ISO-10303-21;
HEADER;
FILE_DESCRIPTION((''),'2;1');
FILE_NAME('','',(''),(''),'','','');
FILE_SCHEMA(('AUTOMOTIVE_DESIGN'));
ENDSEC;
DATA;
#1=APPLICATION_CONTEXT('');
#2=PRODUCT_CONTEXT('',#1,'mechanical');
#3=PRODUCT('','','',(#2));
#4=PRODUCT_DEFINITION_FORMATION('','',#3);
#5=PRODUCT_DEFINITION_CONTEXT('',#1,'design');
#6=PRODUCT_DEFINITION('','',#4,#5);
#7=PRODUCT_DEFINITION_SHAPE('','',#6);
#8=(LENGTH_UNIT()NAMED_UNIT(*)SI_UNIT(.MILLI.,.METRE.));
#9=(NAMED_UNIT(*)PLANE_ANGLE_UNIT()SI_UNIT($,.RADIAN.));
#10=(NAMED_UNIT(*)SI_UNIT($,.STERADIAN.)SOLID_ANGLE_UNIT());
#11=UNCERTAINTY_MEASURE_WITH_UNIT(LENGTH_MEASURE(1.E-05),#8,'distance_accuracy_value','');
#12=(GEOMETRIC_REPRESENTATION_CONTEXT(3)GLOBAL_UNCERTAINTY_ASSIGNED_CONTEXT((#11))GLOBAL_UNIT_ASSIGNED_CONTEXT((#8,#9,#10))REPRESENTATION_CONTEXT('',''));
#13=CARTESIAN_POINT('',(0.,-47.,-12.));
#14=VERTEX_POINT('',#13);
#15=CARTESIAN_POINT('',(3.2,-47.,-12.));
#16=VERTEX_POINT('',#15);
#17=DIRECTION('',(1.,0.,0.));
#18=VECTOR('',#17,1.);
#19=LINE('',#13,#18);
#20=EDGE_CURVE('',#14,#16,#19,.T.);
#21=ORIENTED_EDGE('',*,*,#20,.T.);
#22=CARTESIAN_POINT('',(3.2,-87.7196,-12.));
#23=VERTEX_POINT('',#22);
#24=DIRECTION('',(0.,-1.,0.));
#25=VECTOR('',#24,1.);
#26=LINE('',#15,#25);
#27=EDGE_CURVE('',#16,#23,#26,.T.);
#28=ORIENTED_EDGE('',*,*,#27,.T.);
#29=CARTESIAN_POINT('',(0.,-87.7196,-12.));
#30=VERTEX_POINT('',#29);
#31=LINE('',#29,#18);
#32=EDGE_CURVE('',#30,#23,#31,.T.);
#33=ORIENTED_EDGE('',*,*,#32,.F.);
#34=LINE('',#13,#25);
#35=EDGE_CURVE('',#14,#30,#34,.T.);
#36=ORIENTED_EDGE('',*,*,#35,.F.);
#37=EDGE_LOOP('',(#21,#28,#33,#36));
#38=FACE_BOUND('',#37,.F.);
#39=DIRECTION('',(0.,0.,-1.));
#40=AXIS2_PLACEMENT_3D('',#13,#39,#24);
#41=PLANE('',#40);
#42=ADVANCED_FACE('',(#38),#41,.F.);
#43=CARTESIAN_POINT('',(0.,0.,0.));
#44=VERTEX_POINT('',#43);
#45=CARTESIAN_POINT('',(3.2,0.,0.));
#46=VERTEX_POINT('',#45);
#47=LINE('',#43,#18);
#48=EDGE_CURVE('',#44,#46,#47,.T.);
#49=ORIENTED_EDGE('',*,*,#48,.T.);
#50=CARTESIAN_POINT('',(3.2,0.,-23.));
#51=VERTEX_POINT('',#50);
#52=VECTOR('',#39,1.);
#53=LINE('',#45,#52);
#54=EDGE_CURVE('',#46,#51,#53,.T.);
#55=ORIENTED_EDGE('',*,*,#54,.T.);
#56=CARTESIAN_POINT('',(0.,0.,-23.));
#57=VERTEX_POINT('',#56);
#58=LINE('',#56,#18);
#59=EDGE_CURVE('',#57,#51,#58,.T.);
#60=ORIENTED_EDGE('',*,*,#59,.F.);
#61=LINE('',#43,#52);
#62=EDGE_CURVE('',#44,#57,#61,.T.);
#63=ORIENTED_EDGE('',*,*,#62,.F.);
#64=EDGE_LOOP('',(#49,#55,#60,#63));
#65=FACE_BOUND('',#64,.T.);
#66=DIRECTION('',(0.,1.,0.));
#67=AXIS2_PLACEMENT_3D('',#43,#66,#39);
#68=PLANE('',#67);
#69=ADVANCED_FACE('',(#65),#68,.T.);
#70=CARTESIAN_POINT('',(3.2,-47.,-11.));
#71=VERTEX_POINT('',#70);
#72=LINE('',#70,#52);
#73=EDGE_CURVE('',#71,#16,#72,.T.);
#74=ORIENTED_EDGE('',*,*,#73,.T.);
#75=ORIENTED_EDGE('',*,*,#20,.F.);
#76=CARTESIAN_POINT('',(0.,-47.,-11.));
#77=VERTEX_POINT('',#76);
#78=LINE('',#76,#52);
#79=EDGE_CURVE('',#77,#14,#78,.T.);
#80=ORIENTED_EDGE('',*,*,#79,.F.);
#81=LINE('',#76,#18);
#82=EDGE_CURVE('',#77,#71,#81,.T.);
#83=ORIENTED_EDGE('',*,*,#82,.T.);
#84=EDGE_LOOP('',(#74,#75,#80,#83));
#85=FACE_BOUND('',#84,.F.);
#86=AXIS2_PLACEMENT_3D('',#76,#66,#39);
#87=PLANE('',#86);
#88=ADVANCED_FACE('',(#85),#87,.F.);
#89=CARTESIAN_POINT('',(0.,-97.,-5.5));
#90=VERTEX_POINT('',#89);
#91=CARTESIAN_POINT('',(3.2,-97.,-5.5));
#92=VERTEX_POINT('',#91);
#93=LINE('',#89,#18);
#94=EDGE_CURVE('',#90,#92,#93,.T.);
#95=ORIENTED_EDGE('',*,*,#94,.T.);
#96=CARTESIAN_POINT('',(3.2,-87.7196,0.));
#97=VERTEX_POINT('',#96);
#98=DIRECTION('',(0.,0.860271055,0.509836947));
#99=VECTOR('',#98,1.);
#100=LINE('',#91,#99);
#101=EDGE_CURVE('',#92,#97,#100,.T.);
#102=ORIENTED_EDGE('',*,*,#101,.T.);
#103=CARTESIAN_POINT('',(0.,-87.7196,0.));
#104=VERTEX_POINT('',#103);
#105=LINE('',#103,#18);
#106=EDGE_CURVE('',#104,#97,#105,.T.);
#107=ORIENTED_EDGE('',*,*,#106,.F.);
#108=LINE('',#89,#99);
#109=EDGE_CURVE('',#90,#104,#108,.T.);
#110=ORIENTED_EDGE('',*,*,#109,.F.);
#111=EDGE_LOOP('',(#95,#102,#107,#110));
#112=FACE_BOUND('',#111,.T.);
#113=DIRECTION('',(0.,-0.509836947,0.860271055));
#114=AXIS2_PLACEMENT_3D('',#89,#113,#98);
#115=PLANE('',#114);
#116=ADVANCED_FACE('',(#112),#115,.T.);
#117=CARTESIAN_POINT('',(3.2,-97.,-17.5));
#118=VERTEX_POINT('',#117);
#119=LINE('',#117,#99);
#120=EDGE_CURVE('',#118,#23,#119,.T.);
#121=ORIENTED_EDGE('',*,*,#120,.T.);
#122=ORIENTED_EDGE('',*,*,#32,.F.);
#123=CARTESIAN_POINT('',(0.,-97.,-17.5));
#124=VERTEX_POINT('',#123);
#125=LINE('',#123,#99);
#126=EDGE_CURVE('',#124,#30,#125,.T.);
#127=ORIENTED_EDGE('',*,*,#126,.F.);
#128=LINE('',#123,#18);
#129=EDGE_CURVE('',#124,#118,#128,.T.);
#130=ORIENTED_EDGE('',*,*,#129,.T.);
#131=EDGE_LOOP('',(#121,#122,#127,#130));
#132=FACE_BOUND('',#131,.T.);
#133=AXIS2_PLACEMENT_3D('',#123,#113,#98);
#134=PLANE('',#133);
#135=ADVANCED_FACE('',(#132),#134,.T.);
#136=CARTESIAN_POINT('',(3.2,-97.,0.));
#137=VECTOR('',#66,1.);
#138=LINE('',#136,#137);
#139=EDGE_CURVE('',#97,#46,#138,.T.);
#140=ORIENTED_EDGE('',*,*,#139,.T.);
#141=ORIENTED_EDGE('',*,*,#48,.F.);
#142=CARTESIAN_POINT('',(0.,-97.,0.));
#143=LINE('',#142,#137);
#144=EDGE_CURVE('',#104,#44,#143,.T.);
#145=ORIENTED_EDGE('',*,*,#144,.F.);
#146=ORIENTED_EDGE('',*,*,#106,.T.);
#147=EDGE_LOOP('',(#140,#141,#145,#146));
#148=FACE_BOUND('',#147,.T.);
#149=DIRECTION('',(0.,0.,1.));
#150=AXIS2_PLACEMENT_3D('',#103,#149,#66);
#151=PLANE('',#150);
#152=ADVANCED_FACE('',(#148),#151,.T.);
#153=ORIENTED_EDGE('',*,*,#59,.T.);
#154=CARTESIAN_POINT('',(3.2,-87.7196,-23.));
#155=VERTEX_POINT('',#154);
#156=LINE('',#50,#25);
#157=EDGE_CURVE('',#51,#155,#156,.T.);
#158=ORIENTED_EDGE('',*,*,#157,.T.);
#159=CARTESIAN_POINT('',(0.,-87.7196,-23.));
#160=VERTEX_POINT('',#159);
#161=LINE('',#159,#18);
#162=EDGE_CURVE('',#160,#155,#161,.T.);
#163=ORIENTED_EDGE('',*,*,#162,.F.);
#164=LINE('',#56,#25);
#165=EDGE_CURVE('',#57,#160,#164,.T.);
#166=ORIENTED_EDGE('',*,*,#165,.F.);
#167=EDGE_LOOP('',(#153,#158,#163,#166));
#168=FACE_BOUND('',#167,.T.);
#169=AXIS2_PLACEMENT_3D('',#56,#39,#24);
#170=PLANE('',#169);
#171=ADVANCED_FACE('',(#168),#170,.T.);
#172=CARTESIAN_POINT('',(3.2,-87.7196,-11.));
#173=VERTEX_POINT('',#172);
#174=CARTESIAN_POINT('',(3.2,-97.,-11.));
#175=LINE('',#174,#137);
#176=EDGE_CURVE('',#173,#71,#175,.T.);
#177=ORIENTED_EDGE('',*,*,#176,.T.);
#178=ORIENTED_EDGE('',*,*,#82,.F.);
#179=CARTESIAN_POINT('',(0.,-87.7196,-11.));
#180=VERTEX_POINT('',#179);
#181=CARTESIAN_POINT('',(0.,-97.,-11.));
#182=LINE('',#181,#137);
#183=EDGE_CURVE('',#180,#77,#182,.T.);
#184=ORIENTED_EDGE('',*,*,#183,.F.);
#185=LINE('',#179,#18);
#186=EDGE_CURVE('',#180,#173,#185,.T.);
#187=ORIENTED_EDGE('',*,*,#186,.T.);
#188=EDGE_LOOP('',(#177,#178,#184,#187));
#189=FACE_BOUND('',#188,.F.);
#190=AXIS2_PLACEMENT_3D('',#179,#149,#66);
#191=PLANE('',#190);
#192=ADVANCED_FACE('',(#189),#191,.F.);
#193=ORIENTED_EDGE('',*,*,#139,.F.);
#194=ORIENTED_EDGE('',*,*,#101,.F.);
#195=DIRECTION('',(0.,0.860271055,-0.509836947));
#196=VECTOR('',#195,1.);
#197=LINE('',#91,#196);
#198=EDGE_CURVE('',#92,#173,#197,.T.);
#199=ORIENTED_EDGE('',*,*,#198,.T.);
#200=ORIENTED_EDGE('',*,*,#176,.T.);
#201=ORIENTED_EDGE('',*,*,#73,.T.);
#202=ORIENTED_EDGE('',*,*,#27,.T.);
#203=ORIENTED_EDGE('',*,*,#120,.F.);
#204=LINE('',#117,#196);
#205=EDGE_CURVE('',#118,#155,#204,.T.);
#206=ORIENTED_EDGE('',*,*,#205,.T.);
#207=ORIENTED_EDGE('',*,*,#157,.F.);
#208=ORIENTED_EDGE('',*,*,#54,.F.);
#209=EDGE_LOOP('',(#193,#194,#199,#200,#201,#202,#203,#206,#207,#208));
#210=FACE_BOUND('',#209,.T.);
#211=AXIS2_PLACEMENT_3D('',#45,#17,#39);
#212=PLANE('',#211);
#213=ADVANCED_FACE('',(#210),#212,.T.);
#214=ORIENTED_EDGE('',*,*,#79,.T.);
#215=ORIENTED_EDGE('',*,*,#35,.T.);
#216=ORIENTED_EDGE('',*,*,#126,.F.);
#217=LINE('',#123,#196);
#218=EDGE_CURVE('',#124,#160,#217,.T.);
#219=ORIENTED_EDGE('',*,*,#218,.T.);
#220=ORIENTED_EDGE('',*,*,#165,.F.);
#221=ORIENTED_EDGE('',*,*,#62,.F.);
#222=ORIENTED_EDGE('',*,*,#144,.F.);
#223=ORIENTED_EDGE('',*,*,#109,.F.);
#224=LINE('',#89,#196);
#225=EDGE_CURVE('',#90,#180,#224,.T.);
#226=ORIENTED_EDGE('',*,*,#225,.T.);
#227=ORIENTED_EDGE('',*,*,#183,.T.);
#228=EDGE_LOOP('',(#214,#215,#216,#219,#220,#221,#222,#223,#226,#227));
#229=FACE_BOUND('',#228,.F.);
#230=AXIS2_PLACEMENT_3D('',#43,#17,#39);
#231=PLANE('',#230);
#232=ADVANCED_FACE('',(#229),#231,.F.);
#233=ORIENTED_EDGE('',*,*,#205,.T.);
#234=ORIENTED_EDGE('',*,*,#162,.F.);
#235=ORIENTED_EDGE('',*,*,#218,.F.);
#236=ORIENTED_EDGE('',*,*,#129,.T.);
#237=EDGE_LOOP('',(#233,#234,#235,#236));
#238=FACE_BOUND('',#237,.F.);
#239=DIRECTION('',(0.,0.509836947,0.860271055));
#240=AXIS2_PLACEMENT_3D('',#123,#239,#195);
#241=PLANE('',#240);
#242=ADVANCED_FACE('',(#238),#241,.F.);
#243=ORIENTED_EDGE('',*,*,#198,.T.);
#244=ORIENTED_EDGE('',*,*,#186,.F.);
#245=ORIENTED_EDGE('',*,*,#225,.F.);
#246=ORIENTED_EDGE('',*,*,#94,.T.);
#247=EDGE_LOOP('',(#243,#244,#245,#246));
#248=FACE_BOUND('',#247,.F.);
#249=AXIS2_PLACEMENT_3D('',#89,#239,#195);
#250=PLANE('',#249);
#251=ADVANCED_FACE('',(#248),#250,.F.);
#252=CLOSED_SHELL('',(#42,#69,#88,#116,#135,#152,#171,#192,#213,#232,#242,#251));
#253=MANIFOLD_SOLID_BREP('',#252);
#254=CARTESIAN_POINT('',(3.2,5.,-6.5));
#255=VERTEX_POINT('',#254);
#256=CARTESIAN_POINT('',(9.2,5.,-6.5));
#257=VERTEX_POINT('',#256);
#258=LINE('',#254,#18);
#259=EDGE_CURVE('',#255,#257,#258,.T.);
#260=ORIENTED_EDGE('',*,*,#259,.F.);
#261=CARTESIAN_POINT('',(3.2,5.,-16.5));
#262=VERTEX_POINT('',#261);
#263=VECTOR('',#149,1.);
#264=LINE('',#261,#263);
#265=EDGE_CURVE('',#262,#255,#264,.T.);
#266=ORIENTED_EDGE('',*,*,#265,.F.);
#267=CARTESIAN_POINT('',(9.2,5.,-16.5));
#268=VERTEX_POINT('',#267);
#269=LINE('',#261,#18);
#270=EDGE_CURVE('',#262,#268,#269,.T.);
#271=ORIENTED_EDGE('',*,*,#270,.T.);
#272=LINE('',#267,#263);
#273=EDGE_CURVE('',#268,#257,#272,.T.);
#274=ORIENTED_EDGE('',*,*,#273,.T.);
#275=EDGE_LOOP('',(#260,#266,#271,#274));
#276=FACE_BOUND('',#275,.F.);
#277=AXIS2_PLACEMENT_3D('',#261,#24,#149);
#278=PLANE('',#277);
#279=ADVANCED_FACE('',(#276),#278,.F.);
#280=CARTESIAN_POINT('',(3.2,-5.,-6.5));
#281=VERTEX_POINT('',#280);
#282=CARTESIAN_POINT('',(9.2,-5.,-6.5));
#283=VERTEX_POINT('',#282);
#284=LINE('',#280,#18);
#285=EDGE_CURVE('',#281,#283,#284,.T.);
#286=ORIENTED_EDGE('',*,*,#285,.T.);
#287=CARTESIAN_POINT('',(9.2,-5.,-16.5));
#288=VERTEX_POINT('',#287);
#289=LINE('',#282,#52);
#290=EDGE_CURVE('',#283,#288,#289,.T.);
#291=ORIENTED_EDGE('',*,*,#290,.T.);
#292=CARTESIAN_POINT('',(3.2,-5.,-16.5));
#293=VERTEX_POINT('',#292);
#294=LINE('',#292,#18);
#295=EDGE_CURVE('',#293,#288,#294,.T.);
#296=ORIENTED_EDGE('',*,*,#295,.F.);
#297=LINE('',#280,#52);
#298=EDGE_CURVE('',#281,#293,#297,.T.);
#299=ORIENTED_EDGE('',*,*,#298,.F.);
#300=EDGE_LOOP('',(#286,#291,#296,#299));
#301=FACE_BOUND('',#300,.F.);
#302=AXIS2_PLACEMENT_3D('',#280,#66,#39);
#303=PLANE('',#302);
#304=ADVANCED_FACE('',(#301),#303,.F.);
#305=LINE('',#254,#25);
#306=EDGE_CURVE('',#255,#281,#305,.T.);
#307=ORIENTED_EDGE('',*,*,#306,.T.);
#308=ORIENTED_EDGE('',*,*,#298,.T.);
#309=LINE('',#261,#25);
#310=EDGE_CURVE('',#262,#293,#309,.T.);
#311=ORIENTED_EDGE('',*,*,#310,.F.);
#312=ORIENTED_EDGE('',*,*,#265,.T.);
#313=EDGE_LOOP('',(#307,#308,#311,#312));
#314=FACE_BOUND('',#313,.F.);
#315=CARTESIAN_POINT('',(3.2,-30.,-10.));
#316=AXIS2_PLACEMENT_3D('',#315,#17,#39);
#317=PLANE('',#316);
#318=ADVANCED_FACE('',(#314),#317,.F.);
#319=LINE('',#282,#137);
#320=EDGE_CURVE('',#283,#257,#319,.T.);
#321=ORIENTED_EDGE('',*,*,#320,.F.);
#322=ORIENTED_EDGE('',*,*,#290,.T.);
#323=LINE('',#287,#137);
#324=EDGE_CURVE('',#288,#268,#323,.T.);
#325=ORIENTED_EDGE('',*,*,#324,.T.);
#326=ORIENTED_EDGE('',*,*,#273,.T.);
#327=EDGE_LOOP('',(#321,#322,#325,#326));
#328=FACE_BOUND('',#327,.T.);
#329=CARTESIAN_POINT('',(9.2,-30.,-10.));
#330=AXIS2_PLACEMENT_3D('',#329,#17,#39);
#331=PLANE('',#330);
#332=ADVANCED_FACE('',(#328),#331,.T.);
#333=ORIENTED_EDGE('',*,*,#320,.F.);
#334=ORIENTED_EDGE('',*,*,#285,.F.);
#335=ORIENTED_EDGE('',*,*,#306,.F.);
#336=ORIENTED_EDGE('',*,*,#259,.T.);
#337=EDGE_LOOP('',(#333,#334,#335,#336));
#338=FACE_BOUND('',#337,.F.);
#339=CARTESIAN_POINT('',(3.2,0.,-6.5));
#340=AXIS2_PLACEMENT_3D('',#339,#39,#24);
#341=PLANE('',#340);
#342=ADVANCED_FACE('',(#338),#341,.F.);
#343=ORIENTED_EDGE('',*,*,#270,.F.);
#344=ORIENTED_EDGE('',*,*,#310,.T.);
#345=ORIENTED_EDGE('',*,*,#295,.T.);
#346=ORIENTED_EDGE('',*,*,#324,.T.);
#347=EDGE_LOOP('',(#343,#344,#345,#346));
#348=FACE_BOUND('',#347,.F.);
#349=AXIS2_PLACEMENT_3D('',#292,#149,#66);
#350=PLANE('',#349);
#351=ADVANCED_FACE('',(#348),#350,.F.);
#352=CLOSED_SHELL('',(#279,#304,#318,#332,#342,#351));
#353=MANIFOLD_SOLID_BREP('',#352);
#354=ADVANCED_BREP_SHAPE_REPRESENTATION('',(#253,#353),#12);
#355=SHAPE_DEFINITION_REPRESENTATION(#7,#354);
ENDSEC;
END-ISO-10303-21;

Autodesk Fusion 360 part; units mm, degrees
sketch "Sketch1" plane through (0, 0, 0) normal (1, 0, 0) x (0, 0, -1)
  line L0 (0, 0) -> (23, 0)
  line L1 (23, 0) -> (23, -97)
  line L2 (23, -97) -> (0, -97)
  line L3 (0, -97) -> (0, 0)
  line L4 (11, -47) -> (12, -47)
  line L5 (12, -47) -> (12, -97)
  line L6 (12, -97) -> (11, -97)
  line L7 (11, -97) -> (11, -47)
  line L8 (0, -87.7196) -> (11, -87.7196)
  line L9 (12, -87.7196) -> (23, -87.7196)
  line L10 (5.5, -87.7196) -> (5.5, -97)
  line L11 (17.5, -87.7196) -> (17.5, -97)
  line L12 (17.5, -97) -> (12, -87.7196)
  line L13 (17.5, -97) -> (23, -87.7196)
  line L14 (5.5, -97) -> (0, -87.7196)
  line L15 (5.5, -97) -> (11, -87.7196)
  point P0 (11.5, -97)
  dimension "d46" = 97
  dimension "d47" = 23
  dimension "d48" = 1
  dimension "d49" = 50
extrude "Extrude1" add sketch "Sketch1" along normal blind 3.2 contours L0 L1 L3 L4 L5 L7 L8 L9 | L8 L10 L14 | L9 L11 L13 | L8 L10 L15 | L9 L11 L12 makes body 1
ref_plane "WorkPlane1" through (3.2, -48.5, -11.5) normal (1, 0, 0) x (0, 0, -1)
sketch "Sketch2" plane through (3.2, -30, -10) normal (1, 0, 0) x (0, 0, -1)
  line L0 (-3.5, 25) -> (6.5, 25)
  line L1 (6.5, 25) -> (6.5, 35)
  line L2 (6.5, 35) -> (-3.5, 35)
  line L3 (-3.5, 35) -> (-3.5, 25)
  line L4 (13, 30) -> (-10, 30)
  line L5 (1.5, 30) -> (1.5, 40) construction
  dimension "d60" = 10
  dimension "d61" = 10
  dimension "d1" = 5
extrude "Extrude2" add sketch "Sketch2" along normal blind 6 separate body makes body 2
sketch "used for creating hole in the outer box" plane through (0, 0, 0) normal (0, 1, 0) x (-1, 0, 0)
  line L0 (0, -23) -> (0, 0)
  line L1 (0, 0) -> (-3.2, 0)
  line L2 (-3.2, 0) -> (-3.2, -23)
  line L3 (-3.2, -23) -> (0, -23)
  line L4 (-3.2, -24) -> (0.5, -24)
  line L5 (0.5, -24) -> (0.5, 1)
  line L6 (0.5, 1) -> (-3.2, 1)
  line L7 (-3.2, 1) -> (-3.2, -24)
  line L8 (0, 0) -> (0, -23)
  dimension "d181" = 1
  dimension "d182" = 1
  dimension "d2" = 0.5
sketch "Sketch6" plane through (3.2, 0, 0) normal (1, 0, 0) x (0, 1, 0)
  line L0 (-87.7196, 0) -> (-97, -5.5)
  line L1 (-97, -5.5) -> (-87.7196, -11)
  line L2 (-87.7196, -11) -> (-47, -11)
  line L3 (-47, -11) -> (-47, -12)
  line L4 (-47, -12) -> (-87.7196, -12)
  line L5 (-87.7196, -12) -> (-97, -17.5)
  line L6 (-97, -17.5) -> (-87.7196, -23)
  line L7 (-87.7196, -23) -> (0, -23)
  line L8 (0, -23) -> (0, 0)
  line L9 (0, 0) -> (-87.7196, 0)
  line L10 (-27, 0) -> (-27, -23)
  line L11 (0, 1) -> (0, -24)
  dimension "d3" = 27
